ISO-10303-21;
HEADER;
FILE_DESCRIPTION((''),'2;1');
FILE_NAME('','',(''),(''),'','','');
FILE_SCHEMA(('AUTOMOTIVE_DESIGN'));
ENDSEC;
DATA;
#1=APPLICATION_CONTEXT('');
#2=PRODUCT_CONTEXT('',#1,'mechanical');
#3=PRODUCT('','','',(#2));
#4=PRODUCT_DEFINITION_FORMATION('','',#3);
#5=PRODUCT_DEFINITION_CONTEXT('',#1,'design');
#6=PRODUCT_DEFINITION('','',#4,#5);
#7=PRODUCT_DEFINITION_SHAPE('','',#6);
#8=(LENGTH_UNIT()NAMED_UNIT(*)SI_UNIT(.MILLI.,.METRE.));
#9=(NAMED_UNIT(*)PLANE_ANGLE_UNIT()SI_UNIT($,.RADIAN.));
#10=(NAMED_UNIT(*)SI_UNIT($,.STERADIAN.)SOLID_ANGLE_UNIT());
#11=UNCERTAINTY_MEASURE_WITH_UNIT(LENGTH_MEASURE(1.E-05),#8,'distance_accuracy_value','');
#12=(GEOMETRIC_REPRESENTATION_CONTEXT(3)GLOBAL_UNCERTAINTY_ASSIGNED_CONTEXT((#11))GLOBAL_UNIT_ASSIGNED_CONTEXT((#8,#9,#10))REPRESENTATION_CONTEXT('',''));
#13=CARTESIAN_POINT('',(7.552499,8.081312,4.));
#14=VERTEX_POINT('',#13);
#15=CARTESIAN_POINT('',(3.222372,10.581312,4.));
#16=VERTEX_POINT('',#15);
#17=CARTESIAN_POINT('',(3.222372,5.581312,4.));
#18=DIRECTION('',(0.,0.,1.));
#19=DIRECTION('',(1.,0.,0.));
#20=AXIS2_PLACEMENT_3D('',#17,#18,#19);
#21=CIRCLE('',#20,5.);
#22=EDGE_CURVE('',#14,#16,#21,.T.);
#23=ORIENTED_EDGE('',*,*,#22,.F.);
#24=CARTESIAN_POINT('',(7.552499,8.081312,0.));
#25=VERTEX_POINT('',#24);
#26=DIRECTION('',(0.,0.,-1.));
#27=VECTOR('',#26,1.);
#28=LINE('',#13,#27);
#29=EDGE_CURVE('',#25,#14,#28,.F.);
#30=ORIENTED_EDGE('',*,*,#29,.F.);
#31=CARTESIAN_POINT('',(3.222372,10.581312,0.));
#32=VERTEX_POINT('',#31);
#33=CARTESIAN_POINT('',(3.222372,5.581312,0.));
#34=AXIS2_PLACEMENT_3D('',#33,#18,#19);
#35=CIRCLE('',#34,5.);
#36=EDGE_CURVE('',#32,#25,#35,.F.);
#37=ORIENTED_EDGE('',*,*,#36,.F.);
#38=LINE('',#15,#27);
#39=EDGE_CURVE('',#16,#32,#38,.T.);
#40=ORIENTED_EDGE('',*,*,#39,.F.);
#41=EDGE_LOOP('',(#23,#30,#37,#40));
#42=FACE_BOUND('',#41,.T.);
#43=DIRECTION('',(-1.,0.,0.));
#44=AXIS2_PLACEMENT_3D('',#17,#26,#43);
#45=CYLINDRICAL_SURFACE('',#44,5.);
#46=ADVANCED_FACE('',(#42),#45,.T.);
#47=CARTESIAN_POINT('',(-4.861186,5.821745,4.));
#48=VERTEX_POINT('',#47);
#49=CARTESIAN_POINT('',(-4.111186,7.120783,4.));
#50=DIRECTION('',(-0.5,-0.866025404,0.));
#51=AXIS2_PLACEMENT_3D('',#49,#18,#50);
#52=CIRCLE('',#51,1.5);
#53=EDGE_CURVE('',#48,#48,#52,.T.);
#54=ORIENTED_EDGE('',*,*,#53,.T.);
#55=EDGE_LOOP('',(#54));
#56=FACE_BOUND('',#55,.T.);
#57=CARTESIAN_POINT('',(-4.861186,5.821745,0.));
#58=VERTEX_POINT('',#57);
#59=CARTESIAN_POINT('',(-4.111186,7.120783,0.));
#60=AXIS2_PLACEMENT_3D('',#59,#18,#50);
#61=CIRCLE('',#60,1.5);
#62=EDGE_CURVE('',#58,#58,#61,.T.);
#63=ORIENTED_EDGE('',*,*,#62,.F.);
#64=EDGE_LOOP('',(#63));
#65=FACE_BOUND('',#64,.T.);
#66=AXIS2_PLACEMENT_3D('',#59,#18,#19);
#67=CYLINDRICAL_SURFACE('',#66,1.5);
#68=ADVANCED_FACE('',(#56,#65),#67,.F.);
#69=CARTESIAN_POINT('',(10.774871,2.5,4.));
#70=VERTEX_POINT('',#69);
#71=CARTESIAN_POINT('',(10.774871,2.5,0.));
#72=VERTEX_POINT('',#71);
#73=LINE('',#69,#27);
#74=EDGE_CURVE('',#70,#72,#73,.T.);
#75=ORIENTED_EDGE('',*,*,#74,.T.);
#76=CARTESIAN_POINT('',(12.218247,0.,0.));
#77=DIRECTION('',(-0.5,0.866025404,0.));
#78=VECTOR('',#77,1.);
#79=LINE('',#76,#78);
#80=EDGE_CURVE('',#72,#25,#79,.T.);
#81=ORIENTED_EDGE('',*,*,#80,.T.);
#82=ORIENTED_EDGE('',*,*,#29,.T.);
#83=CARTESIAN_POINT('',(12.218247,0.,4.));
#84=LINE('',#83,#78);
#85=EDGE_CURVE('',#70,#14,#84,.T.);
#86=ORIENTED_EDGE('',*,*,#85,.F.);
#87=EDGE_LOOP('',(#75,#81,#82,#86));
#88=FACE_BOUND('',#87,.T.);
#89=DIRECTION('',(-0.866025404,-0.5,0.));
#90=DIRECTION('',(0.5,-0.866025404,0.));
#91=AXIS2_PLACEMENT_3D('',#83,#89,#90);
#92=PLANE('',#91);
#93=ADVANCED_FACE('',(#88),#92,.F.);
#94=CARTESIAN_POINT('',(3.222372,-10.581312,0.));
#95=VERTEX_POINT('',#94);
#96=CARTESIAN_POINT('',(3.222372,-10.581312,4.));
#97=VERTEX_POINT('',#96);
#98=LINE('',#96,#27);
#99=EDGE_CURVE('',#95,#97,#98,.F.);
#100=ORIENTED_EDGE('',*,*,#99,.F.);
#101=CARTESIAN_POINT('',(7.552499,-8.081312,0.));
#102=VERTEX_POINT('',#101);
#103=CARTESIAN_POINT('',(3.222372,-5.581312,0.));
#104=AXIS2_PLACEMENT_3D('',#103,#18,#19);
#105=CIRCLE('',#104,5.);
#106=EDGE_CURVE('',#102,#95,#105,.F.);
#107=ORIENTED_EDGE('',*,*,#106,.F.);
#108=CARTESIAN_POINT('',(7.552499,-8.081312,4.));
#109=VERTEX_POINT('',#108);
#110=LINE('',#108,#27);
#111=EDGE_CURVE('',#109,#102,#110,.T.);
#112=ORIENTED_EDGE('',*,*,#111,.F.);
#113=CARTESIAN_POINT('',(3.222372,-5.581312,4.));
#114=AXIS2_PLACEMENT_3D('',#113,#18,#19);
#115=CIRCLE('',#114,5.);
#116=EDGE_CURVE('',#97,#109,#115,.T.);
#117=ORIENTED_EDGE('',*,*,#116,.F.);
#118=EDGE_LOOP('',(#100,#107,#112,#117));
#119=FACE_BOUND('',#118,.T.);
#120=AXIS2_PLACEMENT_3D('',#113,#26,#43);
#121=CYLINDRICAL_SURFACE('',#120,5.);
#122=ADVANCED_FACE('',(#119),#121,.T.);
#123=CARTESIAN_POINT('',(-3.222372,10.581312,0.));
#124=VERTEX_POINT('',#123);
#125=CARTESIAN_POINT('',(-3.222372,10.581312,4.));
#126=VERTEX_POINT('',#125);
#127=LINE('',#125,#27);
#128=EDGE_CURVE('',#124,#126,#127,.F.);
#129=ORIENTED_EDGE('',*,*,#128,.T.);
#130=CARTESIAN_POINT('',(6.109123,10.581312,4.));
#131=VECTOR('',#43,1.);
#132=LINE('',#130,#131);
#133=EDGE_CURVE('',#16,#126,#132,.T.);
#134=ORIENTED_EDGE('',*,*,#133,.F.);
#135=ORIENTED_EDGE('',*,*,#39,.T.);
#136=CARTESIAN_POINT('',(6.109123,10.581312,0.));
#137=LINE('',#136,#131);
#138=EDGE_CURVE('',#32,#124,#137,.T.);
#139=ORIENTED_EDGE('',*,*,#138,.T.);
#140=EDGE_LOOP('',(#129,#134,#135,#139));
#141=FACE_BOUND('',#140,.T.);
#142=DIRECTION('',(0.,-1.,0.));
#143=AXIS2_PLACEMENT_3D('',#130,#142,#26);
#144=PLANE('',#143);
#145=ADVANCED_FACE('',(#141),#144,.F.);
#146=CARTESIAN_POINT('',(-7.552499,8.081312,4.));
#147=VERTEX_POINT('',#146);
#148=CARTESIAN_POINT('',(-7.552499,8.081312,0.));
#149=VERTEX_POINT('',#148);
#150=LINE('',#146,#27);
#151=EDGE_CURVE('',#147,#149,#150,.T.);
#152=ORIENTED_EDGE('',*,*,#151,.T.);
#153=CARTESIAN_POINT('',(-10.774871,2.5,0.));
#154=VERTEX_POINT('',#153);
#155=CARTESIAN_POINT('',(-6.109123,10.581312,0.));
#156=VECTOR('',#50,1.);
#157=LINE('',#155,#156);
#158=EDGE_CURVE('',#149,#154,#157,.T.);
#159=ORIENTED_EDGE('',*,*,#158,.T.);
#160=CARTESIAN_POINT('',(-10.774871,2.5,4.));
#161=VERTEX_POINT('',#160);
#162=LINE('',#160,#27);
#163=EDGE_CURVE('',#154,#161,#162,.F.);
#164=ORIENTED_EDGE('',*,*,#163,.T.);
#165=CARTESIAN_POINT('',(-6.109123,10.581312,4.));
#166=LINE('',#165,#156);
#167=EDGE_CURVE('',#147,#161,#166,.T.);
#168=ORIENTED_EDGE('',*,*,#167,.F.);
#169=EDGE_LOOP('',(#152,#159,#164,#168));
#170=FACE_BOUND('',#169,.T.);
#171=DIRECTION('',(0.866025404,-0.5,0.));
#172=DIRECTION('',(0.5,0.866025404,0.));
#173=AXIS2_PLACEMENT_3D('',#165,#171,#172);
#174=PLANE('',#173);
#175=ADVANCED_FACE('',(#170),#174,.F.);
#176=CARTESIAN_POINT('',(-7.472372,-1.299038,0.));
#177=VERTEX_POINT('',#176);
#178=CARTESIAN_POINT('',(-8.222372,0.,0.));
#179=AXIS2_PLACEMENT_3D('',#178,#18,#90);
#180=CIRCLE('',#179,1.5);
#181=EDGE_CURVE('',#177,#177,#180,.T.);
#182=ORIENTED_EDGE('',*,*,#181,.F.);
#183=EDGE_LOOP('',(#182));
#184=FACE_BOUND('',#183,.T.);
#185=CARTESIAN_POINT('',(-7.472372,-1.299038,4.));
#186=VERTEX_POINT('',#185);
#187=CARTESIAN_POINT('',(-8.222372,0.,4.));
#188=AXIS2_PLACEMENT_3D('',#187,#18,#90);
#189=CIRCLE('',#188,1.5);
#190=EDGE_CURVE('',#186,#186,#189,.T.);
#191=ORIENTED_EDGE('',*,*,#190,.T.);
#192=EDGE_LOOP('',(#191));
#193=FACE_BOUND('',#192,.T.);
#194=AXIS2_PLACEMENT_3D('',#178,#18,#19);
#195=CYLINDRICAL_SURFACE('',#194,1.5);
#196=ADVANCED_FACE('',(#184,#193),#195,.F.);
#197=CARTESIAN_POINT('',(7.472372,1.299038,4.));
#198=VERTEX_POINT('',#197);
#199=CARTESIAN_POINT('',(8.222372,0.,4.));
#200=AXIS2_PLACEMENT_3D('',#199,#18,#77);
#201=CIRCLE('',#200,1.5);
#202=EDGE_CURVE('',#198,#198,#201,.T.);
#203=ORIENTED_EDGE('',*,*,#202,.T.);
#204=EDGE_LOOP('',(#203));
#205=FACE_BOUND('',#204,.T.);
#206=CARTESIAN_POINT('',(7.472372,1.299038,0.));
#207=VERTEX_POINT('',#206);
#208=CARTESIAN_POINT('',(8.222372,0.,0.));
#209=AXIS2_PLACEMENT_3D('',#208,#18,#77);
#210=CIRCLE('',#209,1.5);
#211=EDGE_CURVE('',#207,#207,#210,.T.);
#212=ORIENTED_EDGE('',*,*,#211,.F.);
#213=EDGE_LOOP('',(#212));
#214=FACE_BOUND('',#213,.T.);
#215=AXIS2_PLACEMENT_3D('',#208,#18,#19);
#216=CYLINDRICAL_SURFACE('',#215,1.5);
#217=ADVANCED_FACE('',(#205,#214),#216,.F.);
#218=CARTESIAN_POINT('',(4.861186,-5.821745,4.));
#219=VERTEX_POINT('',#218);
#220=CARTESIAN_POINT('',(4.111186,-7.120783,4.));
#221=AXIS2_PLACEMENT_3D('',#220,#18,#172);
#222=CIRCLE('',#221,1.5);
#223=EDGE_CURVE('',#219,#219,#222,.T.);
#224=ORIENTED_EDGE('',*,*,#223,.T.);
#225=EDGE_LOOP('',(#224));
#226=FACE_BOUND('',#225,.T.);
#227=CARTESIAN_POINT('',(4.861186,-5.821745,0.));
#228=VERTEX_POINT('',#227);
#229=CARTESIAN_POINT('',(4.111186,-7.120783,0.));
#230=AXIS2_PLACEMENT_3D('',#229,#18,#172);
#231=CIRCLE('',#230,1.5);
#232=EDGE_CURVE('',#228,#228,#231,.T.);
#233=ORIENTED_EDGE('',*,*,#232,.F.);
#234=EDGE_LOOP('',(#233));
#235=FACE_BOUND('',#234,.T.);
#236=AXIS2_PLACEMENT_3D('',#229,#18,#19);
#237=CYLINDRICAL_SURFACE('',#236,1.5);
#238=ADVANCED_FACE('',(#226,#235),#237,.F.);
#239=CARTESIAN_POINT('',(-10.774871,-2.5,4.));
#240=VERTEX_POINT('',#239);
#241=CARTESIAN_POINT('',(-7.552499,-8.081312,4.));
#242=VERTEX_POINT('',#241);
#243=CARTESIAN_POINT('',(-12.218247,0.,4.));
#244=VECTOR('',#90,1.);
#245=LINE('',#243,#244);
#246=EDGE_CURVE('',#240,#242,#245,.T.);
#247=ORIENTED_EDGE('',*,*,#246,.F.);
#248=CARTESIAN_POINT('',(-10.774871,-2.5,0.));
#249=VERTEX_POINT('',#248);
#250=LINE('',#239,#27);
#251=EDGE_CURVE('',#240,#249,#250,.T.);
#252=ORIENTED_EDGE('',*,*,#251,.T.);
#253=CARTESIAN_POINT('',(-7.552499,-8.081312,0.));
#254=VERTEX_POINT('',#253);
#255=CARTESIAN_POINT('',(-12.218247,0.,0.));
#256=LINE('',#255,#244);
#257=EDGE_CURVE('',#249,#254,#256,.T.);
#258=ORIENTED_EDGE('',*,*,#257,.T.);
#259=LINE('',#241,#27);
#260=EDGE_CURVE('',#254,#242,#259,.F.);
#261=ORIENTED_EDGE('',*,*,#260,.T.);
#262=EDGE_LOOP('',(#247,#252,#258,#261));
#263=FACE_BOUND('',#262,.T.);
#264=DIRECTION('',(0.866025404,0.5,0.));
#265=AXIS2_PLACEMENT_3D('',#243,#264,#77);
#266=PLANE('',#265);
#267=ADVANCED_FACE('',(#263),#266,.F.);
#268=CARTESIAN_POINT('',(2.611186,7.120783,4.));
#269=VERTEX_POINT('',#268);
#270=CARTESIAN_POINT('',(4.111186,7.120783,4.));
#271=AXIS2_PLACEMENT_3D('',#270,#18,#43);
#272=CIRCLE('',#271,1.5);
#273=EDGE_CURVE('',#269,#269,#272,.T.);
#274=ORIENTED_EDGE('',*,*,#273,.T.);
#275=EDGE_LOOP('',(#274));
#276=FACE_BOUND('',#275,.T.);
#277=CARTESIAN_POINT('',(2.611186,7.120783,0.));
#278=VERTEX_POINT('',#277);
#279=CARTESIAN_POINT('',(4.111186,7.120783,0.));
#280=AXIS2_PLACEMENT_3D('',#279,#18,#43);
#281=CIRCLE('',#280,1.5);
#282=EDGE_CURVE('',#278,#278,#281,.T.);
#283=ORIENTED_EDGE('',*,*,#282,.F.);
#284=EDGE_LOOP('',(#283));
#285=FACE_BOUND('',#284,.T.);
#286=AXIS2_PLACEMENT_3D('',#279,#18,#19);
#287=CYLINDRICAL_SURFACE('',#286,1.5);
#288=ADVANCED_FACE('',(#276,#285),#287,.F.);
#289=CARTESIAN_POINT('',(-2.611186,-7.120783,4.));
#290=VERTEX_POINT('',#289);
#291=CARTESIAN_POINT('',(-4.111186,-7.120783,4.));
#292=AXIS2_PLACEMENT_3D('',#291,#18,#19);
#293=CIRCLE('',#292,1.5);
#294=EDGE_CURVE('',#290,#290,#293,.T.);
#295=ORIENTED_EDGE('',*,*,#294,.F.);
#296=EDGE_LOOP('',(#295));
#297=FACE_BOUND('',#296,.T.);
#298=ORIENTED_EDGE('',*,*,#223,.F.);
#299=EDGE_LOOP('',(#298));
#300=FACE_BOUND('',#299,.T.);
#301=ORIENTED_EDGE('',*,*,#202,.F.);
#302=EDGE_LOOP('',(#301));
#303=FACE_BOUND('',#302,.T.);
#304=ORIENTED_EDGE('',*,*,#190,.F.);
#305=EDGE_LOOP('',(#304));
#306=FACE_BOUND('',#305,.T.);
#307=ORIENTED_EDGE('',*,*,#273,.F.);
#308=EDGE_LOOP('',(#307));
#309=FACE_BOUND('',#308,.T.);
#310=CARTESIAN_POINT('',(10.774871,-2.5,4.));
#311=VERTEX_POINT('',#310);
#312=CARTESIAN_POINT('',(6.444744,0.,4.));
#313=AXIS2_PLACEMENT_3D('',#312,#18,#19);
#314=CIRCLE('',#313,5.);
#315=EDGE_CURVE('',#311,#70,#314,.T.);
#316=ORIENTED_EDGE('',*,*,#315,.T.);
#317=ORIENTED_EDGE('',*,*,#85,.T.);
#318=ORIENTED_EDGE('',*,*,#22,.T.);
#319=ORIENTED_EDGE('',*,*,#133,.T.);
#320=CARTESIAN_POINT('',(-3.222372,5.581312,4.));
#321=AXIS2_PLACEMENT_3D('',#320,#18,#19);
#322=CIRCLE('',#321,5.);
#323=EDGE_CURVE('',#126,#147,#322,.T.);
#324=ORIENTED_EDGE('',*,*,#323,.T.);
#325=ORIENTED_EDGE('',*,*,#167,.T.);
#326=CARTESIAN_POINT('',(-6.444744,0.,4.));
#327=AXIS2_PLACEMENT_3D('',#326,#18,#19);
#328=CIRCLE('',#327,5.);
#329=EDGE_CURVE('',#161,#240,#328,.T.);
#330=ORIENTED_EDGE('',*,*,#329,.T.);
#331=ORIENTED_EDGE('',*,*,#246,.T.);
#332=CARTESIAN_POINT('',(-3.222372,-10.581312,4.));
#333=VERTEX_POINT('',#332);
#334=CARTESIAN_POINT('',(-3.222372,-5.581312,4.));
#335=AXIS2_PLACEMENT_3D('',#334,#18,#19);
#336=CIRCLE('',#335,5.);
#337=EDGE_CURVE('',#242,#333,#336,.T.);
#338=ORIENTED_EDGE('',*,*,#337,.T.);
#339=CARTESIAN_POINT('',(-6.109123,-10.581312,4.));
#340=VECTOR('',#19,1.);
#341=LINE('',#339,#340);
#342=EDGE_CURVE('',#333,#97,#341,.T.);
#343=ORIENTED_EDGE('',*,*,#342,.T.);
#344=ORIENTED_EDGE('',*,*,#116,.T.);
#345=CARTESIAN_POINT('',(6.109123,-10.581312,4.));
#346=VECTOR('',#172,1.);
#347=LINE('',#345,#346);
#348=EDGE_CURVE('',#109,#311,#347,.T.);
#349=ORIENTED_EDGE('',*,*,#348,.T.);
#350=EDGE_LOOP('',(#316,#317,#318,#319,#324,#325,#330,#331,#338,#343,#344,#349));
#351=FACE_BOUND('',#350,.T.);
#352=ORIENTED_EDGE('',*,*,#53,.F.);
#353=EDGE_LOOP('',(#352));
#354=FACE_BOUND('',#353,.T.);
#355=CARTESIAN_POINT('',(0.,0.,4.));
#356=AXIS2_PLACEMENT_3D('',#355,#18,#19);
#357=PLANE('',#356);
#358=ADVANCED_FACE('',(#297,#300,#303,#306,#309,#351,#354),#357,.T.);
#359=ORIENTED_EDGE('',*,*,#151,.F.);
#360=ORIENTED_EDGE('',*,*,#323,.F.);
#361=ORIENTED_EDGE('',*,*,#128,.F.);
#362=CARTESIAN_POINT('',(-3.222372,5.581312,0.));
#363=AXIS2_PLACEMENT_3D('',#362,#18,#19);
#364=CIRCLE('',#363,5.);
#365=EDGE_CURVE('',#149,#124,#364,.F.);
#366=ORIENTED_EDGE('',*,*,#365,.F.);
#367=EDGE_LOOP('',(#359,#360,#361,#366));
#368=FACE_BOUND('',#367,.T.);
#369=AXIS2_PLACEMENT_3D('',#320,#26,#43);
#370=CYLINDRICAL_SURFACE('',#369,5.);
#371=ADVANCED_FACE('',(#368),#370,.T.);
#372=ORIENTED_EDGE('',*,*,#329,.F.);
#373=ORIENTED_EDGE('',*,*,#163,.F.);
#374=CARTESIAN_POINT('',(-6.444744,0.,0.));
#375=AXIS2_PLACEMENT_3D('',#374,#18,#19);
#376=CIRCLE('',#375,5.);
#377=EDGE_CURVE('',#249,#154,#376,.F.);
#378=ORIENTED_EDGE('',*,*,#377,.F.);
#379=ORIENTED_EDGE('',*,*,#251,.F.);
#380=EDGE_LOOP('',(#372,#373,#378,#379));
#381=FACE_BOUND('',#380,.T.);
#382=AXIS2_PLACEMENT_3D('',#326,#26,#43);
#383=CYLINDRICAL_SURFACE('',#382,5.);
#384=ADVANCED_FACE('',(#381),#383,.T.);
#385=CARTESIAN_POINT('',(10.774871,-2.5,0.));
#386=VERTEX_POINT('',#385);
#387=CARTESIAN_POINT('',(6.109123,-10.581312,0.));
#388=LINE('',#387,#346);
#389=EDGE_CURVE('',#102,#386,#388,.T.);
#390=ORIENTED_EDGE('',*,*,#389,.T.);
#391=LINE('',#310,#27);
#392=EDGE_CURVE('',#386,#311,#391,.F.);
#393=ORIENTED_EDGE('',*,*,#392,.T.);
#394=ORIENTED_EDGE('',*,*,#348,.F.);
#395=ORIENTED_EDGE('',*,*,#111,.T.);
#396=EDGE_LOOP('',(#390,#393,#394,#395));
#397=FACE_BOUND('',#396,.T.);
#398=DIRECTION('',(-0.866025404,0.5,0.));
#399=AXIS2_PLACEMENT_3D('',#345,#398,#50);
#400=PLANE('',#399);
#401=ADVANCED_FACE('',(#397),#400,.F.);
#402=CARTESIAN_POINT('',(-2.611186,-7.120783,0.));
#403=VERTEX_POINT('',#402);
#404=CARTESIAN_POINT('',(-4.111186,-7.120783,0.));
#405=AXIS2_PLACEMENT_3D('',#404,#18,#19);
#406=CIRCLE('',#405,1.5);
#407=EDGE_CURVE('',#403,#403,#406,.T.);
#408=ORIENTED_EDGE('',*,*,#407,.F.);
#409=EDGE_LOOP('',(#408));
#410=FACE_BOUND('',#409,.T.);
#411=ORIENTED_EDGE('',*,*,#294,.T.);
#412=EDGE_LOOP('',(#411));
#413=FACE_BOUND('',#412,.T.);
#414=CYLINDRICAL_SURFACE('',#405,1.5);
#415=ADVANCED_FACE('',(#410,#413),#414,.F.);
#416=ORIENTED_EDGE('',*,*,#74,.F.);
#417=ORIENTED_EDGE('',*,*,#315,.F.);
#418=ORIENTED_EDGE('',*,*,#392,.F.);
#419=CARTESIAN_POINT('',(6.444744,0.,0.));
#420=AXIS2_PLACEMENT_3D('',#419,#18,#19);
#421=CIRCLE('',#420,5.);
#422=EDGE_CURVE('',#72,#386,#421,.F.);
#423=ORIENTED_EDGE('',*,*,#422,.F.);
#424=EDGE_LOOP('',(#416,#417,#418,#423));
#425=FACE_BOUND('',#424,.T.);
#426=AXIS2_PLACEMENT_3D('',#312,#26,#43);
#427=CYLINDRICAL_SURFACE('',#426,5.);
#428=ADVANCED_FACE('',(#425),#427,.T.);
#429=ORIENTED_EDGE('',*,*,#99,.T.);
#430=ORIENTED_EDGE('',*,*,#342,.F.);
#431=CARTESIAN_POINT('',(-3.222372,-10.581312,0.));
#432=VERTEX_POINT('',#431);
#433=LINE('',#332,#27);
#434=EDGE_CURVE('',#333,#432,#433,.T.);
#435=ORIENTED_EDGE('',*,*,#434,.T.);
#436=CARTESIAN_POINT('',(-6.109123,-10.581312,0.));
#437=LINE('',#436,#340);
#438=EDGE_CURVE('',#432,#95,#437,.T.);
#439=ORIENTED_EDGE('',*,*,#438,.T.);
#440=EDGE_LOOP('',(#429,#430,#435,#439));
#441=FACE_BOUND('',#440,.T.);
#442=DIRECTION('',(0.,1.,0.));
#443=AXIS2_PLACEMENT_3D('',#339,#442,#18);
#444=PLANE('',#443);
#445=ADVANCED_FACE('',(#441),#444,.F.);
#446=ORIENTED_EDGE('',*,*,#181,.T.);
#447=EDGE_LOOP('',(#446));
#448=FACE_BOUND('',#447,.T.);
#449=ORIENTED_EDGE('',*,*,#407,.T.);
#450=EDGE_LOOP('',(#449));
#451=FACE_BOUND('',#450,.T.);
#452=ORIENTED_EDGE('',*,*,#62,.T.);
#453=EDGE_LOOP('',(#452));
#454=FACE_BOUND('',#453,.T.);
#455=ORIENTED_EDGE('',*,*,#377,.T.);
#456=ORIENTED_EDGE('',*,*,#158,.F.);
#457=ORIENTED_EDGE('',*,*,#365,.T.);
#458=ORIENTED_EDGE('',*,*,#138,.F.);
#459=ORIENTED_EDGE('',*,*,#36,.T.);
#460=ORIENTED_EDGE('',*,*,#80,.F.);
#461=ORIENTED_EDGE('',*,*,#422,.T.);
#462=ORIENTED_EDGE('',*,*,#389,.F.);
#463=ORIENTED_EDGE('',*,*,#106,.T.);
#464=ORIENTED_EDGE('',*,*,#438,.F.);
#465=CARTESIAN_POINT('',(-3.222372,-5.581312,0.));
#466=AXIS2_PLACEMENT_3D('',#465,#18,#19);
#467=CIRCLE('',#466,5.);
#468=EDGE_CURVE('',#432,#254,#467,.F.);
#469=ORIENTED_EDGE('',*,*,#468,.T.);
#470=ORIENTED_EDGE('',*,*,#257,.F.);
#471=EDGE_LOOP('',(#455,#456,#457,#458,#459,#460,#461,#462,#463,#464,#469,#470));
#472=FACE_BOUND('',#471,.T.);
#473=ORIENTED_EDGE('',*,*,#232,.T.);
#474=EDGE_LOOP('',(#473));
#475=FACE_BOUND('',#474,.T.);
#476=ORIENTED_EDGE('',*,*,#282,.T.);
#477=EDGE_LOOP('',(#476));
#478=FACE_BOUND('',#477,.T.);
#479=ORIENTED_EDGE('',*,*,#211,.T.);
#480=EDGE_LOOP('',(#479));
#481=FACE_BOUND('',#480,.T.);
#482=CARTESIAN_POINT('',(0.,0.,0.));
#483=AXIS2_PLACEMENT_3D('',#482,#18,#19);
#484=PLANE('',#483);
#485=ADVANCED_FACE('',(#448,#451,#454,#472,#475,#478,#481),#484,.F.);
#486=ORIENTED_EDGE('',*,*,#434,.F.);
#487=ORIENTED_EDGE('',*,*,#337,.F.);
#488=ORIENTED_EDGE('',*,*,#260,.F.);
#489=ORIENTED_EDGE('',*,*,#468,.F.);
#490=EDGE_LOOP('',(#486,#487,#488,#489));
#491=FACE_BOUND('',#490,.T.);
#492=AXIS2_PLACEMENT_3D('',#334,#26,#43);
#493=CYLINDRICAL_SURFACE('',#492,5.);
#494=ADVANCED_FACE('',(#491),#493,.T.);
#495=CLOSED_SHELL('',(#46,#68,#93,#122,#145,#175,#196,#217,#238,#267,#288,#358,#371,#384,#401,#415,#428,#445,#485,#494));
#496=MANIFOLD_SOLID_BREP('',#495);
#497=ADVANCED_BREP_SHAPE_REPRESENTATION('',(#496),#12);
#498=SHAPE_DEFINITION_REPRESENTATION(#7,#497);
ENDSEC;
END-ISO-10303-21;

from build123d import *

# Parameters (mm, degrees)
BOSS_EXTRUDE1_DEPTH = 4
FILLET1_R           = 5
SKETCH2_R           = 1.5
CUT_EXTRUDE1_DEPTH  = 17.091809531
CIRPATTERN1_COUNT   = 6


with BuildPart() as part:
    # Sketch1 → Boss-Extrude1 (new body)
    with BuildSketch(Plane.XY):
        Polygon((6.109123402, -10.581312122), (12.218246804, 0), (6.109123402, 10.581312122), (-6.109123402, 10.581312122), (-12.218246804, 0), (-6.109123402, -10.581312122), align=None)
    extrude(amount=BOSS_EXTRUDE1_DEPTH)

    # Fillet1
    fillet1_edges = [part.edges().sort_by_distance(p)[0] for p in [
        (6.109123402, -10.581312122, 2),
        (-6.109123402, -10.581312122, 2),
        (-12.218246804, 0, 2),
        (12.218246804, 0, 2),
        (6.109123402, 10.581312122, 2),
        (-6.109123402, 10.581312122, 2),
    ]]
    fillet(fillet1_edges, radius=FILLET1_R)

    # Sketch2 → Cut-Extrude1 (cut, through all)
    with BuildSketch(Plane.XY.offset(4)):
        with Locations((-4.111186028, -7.12078308)):
            Circle(SKETCH2_R)
    cut_extrude1 = extrude(amount=-CUT_EXTRUDE1_DEPTH, mode=Mode.SUBTRACT)

    # CirPattern1: Cut-Extrude1 ×6 about axis
    cirpattern1_axis = Axis((0, 0, -80.9), (0, 0, 1))
    for i in range(1, CIRPATTERN1_COUNT):
        add(cut_extrude1.rotate(cirpattern1_axis, i * 360 / CIRPATTERN1_COUNT), mode=Mode.SUBTRACT)


solid = part.part
